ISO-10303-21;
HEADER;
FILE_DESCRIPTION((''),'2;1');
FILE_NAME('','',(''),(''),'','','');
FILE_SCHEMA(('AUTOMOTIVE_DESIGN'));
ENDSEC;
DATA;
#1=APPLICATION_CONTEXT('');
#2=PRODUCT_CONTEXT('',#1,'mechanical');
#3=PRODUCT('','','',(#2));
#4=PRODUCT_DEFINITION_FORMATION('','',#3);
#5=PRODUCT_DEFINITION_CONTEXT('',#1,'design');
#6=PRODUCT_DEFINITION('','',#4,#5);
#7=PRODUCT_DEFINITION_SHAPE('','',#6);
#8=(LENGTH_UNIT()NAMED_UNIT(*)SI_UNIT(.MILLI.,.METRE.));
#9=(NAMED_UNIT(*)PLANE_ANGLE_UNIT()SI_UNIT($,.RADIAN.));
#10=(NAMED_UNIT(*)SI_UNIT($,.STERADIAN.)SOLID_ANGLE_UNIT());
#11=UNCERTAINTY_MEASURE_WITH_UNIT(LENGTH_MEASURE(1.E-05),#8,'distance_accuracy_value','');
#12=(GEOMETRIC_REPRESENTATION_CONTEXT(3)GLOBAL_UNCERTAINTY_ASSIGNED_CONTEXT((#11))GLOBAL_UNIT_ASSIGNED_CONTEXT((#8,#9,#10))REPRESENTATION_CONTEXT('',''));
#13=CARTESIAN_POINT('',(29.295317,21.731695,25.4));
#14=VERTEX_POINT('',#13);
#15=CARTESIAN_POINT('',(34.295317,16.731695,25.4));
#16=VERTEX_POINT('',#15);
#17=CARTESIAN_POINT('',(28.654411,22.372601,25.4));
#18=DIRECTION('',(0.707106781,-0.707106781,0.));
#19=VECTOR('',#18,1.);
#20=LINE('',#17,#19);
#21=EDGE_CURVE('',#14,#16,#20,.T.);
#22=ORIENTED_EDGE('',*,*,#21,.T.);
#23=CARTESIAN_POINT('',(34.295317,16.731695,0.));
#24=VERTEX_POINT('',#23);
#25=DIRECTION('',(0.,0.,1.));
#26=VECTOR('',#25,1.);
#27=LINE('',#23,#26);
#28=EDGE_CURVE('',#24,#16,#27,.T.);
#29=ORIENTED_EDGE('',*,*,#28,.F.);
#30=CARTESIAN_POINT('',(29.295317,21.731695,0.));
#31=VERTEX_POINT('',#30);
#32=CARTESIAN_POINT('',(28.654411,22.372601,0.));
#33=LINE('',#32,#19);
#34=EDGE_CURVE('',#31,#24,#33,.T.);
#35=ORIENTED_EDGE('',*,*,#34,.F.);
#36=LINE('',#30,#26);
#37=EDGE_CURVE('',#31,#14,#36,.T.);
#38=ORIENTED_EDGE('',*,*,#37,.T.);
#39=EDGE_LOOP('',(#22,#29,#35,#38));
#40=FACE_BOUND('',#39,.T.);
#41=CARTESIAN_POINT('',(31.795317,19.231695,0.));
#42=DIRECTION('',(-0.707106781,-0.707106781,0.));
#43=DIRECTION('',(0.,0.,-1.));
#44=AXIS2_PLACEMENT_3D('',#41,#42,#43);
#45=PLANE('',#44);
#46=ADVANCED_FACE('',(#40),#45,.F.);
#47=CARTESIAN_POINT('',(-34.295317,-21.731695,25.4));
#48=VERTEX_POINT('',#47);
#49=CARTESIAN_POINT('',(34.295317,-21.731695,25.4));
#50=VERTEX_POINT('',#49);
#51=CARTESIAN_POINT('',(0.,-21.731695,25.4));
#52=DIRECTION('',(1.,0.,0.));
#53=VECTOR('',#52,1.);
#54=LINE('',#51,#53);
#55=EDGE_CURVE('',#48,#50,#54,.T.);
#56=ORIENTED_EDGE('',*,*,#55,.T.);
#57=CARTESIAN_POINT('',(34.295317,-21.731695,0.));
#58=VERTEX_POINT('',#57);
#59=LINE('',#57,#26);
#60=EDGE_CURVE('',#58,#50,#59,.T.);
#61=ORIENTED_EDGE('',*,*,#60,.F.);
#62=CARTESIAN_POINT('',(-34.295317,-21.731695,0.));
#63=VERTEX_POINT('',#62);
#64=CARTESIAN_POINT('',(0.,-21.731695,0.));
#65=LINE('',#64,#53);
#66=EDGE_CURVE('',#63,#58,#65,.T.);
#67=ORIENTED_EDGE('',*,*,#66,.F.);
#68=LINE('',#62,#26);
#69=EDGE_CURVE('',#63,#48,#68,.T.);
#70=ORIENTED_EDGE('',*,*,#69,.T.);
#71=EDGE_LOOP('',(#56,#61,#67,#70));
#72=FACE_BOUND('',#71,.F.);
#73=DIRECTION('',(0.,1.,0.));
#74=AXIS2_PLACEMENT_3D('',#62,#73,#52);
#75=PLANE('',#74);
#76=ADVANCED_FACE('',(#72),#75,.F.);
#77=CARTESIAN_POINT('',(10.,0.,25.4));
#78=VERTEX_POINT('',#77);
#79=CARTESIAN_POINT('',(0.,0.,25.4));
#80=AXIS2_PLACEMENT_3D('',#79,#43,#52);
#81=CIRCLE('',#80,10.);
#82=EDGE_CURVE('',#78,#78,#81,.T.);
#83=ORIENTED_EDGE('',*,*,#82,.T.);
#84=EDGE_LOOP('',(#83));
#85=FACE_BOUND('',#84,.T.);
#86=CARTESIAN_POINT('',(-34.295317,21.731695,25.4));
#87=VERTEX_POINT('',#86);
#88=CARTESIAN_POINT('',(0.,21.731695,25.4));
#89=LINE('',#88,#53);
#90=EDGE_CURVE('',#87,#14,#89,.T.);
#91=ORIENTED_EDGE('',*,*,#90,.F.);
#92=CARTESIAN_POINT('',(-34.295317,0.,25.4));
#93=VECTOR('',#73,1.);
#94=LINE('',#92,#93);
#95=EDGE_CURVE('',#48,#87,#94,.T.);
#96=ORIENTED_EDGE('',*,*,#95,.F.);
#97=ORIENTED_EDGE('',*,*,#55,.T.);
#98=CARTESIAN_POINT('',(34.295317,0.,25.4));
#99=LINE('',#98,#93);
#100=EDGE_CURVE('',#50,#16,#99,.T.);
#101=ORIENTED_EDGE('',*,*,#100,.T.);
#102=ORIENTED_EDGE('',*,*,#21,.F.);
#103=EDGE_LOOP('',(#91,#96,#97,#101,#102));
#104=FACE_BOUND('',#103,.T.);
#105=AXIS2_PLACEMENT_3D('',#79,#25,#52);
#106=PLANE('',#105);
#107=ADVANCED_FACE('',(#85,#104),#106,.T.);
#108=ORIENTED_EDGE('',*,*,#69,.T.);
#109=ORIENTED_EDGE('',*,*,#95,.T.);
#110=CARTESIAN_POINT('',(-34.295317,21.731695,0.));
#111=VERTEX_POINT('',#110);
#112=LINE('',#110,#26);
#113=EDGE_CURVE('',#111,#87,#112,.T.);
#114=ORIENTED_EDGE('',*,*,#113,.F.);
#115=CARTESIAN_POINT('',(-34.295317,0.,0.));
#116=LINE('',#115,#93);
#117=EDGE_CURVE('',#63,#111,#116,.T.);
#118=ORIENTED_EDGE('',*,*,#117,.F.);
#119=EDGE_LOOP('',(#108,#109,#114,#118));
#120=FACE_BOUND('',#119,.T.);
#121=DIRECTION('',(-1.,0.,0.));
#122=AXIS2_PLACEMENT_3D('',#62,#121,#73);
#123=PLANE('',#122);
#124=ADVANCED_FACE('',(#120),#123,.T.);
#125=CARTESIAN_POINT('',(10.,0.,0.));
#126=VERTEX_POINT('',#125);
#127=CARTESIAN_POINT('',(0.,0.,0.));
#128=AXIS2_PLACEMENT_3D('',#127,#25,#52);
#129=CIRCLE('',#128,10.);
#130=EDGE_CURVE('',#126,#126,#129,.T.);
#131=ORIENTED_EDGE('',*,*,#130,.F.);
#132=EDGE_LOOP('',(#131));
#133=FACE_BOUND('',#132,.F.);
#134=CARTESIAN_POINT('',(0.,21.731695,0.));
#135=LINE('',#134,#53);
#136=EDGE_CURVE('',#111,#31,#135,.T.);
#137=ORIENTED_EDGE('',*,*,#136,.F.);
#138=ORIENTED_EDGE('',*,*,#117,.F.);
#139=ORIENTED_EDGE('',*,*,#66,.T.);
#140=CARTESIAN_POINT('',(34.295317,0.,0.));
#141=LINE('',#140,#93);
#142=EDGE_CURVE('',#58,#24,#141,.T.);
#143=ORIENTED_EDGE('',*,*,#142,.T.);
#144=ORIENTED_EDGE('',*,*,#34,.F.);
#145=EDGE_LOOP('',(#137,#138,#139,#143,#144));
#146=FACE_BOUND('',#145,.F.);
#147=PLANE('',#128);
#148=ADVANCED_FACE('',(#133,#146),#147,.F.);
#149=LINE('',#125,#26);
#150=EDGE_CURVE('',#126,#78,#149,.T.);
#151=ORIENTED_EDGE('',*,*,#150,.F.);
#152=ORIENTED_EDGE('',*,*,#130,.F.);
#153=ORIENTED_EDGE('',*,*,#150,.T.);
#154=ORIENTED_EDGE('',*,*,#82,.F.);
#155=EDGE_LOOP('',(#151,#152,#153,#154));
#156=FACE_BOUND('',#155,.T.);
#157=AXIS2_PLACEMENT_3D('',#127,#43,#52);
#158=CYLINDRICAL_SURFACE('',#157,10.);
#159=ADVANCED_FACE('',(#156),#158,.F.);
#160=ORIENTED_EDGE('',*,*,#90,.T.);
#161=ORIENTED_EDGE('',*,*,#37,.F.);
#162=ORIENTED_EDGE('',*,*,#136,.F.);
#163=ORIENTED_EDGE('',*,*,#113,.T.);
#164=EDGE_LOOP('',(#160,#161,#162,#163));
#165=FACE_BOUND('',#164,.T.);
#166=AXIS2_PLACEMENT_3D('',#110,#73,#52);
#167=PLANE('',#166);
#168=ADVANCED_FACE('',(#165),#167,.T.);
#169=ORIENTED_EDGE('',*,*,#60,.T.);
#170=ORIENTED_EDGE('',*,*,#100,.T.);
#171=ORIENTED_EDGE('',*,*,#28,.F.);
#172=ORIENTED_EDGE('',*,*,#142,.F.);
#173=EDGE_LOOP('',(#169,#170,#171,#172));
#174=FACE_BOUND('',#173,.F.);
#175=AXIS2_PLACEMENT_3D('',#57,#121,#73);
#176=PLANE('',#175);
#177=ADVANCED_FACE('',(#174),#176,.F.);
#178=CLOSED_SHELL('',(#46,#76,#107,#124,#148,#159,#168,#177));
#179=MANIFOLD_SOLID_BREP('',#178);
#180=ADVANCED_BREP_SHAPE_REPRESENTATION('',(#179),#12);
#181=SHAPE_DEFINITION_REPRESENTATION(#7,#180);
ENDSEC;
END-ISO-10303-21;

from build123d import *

# Parameters (mm, degrees)
F0_W     = 68.590634
F0_H     = 43.46339
F1_DEPTH = 25.4
F2_D     = 5
F3_R     = 10
F4_DEPTH = 25.401
F5_SIZE  = 5


with BuildPart() as f1:
    # F0 (on Top) → F1 (new body)
    with BuildSketch(Plane.XY):
        Rectangle(F0_W, F0_H)
    extrude(amount=F1_DEPTH)

    # F2 (through all)
    with Locations(Plane(origin=(0, 0, 0), x_dir=(1, 0, 0), z_dir=(0, 0, -1))):
        with Locations((0, 0)):
            Hole(F2_D / 2)

    # F3 (on face) → F4 (cut, through all)
    with BuildSketch(Plane.XY):
        Circle(F3_R)
    extrude(amount=F4_DEPTH, mode=Mode.SUBTRACT)

    # F5
    f5_edges = [f1.edges().sort_by_distance(p)[0] for p in [
        (34.295317, 21.731695, 12.7),
    ]]
    chamfer(f5_edges, length=F5_SIZE)


solid = f1.part
